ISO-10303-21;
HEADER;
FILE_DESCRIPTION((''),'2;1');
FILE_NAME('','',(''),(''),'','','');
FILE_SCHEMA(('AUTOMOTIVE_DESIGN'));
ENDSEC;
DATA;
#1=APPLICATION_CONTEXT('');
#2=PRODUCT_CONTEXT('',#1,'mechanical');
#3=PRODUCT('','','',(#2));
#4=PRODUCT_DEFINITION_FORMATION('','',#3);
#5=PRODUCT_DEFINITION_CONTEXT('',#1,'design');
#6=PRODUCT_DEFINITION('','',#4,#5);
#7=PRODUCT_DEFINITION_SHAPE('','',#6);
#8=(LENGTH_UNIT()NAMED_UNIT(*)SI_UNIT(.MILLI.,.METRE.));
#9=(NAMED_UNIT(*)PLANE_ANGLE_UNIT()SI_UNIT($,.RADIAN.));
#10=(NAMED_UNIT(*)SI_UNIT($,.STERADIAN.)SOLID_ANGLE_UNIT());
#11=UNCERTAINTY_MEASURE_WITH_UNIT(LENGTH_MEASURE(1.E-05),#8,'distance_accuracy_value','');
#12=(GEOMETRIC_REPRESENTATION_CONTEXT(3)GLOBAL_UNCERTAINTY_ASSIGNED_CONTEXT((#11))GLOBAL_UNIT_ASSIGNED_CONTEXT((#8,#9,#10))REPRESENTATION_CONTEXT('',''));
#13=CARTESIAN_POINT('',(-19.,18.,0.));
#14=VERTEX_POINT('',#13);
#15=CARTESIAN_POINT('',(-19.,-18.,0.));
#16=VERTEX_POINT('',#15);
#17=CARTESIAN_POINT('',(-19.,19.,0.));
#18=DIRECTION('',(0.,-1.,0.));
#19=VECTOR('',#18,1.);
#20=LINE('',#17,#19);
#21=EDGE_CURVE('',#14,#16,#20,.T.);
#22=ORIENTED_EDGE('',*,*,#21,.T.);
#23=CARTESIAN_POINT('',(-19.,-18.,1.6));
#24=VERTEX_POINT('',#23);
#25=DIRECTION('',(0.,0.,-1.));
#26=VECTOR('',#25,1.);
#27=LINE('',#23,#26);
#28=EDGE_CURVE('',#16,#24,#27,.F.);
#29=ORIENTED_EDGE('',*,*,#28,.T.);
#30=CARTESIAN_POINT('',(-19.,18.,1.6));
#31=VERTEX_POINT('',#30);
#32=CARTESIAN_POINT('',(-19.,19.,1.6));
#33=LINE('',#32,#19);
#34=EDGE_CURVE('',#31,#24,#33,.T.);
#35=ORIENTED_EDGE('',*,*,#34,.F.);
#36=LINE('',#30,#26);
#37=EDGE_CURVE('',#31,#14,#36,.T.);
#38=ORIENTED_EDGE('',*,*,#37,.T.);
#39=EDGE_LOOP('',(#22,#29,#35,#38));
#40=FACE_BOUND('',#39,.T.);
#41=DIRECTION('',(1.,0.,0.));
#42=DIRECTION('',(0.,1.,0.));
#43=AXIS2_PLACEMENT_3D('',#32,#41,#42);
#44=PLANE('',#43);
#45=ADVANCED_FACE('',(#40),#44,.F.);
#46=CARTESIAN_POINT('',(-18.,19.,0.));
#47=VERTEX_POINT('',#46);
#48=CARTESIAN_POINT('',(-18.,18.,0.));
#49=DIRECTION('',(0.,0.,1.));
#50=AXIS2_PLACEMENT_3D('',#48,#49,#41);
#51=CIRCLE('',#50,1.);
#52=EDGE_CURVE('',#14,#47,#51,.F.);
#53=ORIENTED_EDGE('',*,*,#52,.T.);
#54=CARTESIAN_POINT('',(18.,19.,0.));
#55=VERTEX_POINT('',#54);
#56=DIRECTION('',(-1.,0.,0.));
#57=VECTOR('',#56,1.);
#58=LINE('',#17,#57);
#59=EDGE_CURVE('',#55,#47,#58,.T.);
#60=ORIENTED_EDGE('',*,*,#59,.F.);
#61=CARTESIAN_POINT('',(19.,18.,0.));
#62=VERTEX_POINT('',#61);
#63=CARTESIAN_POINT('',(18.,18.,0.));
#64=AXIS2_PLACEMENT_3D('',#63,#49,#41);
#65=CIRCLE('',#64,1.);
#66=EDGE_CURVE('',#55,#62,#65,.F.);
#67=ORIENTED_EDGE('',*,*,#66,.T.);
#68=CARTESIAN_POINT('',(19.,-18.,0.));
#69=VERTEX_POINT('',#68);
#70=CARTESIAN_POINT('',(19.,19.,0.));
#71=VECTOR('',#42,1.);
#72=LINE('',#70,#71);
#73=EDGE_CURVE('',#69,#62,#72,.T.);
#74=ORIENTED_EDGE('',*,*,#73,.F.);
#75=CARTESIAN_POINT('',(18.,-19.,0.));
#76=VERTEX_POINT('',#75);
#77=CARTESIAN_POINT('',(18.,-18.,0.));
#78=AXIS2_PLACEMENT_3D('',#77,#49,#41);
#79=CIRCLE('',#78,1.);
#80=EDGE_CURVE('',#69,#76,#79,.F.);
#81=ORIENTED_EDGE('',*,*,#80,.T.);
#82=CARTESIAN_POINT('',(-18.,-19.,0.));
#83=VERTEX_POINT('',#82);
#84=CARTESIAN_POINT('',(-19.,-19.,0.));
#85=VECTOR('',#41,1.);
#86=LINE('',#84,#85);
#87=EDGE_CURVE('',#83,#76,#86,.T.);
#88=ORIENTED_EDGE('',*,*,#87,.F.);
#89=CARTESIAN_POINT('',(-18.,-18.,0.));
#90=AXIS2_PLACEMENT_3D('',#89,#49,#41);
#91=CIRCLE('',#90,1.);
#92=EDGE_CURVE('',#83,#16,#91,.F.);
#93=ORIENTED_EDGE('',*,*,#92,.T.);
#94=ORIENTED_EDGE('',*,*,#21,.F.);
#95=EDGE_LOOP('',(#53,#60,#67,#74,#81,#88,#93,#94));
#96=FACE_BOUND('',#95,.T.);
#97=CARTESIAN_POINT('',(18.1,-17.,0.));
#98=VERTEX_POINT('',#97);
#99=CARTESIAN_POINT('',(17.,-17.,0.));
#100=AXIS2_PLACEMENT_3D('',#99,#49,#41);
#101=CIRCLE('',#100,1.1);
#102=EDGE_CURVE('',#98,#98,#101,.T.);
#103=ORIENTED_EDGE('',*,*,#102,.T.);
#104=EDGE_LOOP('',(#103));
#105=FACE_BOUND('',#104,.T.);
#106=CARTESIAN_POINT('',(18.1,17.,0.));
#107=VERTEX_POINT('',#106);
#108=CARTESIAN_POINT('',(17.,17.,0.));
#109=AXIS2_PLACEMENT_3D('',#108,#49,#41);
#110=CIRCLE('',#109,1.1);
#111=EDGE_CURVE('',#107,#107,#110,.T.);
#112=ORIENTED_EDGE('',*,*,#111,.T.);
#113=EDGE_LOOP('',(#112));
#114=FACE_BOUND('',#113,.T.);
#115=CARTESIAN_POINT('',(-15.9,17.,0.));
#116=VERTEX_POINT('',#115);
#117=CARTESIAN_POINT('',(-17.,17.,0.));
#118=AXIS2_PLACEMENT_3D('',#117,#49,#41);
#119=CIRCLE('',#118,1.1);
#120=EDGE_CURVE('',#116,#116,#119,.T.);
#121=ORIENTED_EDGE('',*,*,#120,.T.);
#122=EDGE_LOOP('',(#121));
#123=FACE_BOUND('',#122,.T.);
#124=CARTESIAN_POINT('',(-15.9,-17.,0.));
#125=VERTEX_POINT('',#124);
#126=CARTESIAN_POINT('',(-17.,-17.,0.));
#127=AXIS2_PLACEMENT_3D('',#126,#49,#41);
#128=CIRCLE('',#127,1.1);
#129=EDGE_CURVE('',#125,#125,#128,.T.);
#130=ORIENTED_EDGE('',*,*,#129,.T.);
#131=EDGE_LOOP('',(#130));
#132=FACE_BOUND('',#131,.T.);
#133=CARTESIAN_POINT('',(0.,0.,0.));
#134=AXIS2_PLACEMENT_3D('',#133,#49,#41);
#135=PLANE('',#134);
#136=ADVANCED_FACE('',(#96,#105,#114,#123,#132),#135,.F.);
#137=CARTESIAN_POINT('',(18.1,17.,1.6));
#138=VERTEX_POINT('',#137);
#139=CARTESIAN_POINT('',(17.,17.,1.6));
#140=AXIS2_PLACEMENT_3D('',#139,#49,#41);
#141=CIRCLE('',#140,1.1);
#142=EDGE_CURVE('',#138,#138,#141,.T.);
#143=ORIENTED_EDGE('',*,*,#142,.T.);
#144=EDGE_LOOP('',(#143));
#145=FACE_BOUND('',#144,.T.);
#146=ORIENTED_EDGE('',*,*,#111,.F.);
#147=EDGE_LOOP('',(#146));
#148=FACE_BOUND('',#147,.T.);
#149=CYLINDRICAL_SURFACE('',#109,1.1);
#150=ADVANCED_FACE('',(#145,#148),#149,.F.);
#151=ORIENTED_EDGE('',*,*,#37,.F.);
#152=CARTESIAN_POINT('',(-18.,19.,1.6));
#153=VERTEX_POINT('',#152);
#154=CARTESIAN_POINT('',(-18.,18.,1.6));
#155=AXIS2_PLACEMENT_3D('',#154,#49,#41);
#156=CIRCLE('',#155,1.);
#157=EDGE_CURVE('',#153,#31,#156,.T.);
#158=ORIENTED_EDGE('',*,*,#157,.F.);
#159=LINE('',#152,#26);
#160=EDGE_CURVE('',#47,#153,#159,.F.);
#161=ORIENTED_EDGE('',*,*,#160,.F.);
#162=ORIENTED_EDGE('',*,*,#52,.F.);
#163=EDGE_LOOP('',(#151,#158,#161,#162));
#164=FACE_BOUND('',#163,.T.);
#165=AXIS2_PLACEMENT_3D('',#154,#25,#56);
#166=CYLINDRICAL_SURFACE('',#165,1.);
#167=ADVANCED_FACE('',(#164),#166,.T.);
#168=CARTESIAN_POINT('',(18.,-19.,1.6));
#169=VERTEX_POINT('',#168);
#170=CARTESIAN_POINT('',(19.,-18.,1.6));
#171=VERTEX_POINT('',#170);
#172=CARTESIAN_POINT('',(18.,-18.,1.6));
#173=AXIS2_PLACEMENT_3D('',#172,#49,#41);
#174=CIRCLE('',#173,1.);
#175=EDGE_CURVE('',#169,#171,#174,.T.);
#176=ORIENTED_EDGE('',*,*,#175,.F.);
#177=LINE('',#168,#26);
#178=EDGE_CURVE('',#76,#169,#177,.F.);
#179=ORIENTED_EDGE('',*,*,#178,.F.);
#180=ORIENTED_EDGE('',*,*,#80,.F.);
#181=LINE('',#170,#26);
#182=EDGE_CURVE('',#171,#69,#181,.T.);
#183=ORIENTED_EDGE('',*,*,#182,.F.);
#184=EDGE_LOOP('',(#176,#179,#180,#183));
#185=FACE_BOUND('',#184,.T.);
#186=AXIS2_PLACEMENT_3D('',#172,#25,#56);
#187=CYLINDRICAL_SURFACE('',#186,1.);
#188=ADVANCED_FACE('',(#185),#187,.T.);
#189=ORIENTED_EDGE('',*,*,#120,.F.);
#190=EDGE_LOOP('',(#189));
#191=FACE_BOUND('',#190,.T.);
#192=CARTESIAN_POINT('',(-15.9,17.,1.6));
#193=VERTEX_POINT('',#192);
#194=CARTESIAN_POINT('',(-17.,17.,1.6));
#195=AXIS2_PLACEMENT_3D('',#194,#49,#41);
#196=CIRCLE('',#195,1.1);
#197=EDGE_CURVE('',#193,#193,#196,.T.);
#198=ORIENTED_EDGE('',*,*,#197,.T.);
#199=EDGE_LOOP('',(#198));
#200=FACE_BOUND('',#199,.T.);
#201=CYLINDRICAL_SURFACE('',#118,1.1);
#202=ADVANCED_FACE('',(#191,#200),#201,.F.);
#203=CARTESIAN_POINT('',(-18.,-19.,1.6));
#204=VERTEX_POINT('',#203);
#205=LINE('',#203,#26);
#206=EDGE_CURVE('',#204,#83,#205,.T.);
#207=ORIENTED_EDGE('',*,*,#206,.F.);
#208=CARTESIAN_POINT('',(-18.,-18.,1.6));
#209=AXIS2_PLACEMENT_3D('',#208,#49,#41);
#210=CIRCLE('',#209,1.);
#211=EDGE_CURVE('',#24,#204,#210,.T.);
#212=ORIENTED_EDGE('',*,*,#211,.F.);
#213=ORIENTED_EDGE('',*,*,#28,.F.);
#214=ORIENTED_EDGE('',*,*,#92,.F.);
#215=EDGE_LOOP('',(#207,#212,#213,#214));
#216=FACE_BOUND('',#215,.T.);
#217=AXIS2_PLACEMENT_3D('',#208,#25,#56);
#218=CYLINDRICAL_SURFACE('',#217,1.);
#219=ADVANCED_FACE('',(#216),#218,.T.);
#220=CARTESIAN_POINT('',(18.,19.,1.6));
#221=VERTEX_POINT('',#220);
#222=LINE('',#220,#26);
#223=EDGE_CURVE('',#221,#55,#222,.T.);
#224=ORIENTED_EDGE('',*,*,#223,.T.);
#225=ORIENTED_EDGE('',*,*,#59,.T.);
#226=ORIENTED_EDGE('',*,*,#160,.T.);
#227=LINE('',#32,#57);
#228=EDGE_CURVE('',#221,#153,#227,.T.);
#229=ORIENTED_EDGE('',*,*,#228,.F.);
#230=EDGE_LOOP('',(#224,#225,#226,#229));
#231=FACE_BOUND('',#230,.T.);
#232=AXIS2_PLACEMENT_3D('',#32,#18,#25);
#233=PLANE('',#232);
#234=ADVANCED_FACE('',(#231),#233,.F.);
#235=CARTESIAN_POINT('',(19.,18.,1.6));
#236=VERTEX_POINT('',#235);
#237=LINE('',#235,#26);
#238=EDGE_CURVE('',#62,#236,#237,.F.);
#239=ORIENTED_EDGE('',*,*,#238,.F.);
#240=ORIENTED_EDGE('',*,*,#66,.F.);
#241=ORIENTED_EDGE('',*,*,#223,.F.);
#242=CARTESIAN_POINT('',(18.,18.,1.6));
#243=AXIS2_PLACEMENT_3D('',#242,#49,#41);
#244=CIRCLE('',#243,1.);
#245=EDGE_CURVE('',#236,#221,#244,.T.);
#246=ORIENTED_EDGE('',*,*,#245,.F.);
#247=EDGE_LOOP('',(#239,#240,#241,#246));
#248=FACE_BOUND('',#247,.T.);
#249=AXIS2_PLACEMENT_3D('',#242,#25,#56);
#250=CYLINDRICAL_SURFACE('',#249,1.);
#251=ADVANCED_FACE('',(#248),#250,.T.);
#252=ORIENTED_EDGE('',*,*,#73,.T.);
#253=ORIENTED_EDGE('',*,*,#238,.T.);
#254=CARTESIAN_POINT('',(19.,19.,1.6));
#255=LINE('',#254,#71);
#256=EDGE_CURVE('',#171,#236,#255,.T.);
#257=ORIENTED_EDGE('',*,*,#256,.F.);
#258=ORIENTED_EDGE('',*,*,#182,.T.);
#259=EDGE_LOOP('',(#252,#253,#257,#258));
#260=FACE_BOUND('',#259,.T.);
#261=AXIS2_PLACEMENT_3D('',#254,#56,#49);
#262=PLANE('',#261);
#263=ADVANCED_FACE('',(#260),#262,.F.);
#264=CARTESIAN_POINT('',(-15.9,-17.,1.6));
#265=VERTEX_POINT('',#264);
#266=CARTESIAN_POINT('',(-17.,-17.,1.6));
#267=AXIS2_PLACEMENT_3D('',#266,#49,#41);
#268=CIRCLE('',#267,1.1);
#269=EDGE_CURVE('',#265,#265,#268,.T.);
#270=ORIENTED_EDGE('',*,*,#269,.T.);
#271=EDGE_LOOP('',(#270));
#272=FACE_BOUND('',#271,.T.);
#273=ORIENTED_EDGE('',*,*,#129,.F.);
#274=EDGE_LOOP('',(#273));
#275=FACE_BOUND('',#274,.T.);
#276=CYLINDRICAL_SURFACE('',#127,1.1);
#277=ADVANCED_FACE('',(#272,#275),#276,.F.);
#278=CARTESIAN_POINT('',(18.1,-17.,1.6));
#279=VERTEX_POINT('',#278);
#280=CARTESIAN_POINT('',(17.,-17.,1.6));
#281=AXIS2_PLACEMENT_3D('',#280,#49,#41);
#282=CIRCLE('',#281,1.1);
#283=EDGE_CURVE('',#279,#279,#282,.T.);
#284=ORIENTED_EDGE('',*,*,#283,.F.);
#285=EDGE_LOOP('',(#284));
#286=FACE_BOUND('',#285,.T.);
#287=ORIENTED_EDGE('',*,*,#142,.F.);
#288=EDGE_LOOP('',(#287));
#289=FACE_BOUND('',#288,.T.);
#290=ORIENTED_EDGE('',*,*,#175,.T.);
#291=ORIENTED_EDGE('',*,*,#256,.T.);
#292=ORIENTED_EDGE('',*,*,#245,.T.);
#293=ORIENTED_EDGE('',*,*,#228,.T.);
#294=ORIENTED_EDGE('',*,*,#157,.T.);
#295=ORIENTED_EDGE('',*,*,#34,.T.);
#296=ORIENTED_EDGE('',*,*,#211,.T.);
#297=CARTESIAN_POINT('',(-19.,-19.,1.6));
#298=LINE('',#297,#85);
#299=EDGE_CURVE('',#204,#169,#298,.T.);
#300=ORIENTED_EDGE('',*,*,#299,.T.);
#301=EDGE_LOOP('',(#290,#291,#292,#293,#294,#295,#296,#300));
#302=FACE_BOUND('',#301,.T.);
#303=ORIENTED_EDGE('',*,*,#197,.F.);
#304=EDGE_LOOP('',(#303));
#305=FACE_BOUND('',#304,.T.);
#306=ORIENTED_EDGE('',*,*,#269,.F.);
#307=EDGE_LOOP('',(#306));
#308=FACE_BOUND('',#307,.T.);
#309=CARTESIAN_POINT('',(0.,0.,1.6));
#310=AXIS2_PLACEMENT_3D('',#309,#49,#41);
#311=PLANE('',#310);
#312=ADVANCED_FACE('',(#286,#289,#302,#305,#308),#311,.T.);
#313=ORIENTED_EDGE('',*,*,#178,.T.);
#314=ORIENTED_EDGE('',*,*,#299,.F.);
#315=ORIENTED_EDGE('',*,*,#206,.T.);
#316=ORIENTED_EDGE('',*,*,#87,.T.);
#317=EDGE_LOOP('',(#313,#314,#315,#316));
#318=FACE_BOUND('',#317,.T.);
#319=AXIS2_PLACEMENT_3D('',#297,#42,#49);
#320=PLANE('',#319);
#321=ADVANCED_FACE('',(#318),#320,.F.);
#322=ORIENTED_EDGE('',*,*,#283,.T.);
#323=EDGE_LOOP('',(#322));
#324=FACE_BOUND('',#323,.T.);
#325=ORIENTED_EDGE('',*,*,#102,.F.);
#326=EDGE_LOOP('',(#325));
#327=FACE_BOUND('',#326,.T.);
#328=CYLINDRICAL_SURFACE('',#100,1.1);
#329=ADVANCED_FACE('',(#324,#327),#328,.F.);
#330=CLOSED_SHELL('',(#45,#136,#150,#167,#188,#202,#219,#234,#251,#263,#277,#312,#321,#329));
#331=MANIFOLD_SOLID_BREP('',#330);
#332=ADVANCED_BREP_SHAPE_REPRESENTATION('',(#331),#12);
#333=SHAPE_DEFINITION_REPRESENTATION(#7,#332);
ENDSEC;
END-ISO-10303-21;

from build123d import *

# Parameters (mm, degrees)
SKETCH_1_W          = 38
SKETCH_1_H          = 38
EXTRUDE_1_DEPTH     = 1.6
SKETCH_2_R          = 1.1
CUT_EXTRUDE_1_DEPTH = 27.917652201
FILLET_1_R          = 1


with BuildPart() as part:
    # 스케치1 → 보스-돌출1 (new body)
    with BuildSketch(Plane.XY):
        Rectangle(SKETCH_1_W, SKETCH_1_H)
    extrude(amount=EXTRUDE_1_DEPTH)

    # 스케치2 → 컷-돌출1 (cut, through all)
    with BuildSketch(Plane.XY.offset(1.6)):
        with Locations((-17, 17)):
            Circle(SKETCH_2_R)
        with Locations((17, -17)):
            Circle(SKETCH_2_R)
        with Locations((17, 17)):
            Circle(SKETCH_2_R)
        with Locations((-17, -17)):
            Circle(SKETCH_2_R)
    extrude(amount=-CUT_EXTRUDE_1_DEPTH, mode=Mode.SUBTRACT)

    # 필렛1
    fillet_1_edges = [part.edges().sort_by_distance(p)[0] for p in [
        (-19, 19, 0.8),
        (19, 19, 0.8),
        (19, -19, 0.8),
        (-19, -19, 0.8),
    ]]
    fillet(fillet_1_edges, radius=FILLET_1_R)


solid = part.part
